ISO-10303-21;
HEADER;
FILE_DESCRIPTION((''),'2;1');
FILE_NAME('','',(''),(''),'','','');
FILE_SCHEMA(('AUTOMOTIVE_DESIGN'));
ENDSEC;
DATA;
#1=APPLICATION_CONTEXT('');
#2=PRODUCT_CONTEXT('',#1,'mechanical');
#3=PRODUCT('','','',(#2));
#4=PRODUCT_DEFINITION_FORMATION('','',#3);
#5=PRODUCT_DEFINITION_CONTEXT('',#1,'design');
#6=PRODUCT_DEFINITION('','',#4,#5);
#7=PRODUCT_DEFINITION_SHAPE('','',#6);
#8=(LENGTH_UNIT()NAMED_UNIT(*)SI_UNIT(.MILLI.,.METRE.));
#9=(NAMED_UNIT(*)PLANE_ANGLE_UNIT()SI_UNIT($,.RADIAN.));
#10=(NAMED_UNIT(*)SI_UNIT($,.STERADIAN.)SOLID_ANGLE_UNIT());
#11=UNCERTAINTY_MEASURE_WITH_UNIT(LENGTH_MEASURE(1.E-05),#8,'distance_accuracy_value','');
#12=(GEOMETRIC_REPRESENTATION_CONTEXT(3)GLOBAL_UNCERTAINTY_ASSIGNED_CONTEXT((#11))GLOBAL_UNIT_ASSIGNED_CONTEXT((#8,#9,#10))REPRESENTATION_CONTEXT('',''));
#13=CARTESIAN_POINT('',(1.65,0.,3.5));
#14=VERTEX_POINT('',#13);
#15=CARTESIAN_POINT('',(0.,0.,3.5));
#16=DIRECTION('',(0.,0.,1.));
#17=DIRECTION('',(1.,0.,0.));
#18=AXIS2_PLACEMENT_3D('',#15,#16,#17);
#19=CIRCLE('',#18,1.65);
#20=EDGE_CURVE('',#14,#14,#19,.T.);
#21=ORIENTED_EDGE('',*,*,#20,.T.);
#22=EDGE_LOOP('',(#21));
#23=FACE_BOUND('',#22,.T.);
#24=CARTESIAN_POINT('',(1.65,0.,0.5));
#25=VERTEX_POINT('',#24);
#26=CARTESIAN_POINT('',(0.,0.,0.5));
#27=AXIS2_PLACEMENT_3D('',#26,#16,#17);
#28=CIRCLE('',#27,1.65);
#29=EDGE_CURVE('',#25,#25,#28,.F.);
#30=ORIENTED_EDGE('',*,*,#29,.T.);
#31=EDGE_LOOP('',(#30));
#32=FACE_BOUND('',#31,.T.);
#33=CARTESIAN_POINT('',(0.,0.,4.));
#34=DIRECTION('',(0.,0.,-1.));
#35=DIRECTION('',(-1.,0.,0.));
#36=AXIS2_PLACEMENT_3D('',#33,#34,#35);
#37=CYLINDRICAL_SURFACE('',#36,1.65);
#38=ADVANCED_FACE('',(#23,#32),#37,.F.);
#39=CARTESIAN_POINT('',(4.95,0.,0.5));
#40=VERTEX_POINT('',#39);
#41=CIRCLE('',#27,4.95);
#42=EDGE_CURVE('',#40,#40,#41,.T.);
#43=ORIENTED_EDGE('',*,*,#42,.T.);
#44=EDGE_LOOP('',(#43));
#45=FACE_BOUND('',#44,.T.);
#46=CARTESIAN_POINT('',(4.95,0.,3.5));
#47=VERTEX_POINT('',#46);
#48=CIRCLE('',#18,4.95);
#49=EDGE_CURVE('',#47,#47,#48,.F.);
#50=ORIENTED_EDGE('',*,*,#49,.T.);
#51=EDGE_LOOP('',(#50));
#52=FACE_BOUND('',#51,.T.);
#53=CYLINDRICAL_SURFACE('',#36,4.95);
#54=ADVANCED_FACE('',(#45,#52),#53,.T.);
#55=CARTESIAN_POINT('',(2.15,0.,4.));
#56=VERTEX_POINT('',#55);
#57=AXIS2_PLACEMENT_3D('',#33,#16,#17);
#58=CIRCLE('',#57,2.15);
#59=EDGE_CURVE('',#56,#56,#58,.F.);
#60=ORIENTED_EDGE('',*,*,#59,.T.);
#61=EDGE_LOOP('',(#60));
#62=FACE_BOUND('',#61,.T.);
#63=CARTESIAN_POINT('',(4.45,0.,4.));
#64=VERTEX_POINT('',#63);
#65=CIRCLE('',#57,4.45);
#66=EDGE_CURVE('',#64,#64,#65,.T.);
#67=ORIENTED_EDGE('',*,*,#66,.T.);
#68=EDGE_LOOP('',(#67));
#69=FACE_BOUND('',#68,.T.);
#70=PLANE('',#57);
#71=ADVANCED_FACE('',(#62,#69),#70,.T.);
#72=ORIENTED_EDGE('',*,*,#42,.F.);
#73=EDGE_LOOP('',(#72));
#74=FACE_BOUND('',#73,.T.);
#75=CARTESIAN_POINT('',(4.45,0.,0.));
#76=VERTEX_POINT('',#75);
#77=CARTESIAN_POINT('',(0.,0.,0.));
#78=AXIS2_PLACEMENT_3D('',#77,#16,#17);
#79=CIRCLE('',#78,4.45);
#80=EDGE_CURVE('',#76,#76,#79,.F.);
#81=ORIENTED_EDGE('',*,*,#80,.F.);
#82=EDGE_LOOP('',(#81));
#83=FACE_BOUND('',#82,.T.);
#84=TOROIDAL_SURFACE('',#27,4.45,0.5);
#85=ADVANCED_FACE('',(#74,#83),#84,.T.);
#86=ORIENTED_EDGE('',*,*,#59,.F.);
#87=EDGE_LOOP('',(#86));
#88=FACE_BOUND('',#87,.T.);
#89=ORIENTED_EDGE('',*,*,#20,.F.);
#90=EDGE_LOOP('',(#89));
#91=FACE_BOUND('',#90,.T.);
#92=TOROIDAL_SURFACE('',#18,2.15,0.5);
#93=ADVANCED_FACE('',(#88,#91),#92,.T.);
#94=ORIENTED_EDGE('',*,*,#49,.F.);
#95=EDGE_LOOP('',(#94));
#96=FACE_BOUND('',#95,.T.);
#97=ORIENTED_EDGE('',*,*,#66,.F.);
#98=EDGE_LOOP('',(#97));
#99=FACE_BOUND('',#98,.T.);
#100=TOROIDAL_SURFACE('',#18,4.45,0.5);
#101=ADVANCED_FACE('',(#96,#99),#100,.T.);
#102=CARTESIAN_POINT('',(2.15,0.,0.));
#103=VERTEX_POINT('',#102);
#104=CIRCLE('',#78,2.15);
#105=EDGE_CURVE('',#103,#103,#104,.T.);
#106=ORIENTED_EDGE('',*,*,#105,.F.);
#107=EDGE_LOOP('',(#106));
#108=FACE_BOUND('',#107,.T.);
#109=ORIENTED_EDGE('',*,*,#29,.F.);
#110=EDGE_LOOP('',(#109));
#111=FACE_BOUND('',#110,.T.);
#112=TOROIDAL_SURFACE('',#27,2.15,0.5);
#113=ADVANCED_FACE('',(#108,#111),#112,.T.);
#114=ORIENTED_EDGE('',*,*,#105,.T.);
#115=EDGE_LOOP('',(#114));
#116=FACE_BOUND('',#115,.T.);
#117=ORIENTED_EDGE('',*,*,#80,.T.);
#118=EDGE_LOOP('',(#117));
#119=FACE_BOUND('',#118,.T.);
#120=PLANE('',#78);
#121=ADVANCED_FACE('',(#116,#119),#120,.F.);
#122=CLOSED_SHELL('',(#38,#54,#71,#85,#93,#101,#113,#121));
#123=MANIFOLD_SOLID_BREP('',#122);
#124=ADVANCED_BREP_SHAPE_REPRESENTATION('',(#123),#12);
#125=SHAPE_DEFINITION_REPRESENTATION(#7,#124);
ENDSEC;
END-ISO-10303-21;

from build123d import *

# Parameters (mm, degrees)
SKETCH_1_R      = 4.95
SKETCH_1_R_2    = 1.65
EXTRUDE_1_DEPTH = 4
FILLET_1_R      = 0.5


with BuildPart() as part:
    # Эскиз1 → Бобышка-Вытянуть1 (new body)
    with BuildSketch(Plane.XY):
        Circle(SKETCH_1_R)
        Circle(SKETCH_1_R_2, mode=Mode.SUBTRACT)
    extrude(amount=EXTRUDE_1_DEPTH)

    # Скругление1
    fillet_1_edges = [part.edges().sort_by_distance(p)[0] for p in [
        (-4.95, 0, 0),
        (-4.95, 0, 4),
        (-1.65, 0, 0),
        (-1.65, 0, 4),
    ]]
    fillet(fillet_1_edges, radius=FILLET_1_R)


solid = part.part
